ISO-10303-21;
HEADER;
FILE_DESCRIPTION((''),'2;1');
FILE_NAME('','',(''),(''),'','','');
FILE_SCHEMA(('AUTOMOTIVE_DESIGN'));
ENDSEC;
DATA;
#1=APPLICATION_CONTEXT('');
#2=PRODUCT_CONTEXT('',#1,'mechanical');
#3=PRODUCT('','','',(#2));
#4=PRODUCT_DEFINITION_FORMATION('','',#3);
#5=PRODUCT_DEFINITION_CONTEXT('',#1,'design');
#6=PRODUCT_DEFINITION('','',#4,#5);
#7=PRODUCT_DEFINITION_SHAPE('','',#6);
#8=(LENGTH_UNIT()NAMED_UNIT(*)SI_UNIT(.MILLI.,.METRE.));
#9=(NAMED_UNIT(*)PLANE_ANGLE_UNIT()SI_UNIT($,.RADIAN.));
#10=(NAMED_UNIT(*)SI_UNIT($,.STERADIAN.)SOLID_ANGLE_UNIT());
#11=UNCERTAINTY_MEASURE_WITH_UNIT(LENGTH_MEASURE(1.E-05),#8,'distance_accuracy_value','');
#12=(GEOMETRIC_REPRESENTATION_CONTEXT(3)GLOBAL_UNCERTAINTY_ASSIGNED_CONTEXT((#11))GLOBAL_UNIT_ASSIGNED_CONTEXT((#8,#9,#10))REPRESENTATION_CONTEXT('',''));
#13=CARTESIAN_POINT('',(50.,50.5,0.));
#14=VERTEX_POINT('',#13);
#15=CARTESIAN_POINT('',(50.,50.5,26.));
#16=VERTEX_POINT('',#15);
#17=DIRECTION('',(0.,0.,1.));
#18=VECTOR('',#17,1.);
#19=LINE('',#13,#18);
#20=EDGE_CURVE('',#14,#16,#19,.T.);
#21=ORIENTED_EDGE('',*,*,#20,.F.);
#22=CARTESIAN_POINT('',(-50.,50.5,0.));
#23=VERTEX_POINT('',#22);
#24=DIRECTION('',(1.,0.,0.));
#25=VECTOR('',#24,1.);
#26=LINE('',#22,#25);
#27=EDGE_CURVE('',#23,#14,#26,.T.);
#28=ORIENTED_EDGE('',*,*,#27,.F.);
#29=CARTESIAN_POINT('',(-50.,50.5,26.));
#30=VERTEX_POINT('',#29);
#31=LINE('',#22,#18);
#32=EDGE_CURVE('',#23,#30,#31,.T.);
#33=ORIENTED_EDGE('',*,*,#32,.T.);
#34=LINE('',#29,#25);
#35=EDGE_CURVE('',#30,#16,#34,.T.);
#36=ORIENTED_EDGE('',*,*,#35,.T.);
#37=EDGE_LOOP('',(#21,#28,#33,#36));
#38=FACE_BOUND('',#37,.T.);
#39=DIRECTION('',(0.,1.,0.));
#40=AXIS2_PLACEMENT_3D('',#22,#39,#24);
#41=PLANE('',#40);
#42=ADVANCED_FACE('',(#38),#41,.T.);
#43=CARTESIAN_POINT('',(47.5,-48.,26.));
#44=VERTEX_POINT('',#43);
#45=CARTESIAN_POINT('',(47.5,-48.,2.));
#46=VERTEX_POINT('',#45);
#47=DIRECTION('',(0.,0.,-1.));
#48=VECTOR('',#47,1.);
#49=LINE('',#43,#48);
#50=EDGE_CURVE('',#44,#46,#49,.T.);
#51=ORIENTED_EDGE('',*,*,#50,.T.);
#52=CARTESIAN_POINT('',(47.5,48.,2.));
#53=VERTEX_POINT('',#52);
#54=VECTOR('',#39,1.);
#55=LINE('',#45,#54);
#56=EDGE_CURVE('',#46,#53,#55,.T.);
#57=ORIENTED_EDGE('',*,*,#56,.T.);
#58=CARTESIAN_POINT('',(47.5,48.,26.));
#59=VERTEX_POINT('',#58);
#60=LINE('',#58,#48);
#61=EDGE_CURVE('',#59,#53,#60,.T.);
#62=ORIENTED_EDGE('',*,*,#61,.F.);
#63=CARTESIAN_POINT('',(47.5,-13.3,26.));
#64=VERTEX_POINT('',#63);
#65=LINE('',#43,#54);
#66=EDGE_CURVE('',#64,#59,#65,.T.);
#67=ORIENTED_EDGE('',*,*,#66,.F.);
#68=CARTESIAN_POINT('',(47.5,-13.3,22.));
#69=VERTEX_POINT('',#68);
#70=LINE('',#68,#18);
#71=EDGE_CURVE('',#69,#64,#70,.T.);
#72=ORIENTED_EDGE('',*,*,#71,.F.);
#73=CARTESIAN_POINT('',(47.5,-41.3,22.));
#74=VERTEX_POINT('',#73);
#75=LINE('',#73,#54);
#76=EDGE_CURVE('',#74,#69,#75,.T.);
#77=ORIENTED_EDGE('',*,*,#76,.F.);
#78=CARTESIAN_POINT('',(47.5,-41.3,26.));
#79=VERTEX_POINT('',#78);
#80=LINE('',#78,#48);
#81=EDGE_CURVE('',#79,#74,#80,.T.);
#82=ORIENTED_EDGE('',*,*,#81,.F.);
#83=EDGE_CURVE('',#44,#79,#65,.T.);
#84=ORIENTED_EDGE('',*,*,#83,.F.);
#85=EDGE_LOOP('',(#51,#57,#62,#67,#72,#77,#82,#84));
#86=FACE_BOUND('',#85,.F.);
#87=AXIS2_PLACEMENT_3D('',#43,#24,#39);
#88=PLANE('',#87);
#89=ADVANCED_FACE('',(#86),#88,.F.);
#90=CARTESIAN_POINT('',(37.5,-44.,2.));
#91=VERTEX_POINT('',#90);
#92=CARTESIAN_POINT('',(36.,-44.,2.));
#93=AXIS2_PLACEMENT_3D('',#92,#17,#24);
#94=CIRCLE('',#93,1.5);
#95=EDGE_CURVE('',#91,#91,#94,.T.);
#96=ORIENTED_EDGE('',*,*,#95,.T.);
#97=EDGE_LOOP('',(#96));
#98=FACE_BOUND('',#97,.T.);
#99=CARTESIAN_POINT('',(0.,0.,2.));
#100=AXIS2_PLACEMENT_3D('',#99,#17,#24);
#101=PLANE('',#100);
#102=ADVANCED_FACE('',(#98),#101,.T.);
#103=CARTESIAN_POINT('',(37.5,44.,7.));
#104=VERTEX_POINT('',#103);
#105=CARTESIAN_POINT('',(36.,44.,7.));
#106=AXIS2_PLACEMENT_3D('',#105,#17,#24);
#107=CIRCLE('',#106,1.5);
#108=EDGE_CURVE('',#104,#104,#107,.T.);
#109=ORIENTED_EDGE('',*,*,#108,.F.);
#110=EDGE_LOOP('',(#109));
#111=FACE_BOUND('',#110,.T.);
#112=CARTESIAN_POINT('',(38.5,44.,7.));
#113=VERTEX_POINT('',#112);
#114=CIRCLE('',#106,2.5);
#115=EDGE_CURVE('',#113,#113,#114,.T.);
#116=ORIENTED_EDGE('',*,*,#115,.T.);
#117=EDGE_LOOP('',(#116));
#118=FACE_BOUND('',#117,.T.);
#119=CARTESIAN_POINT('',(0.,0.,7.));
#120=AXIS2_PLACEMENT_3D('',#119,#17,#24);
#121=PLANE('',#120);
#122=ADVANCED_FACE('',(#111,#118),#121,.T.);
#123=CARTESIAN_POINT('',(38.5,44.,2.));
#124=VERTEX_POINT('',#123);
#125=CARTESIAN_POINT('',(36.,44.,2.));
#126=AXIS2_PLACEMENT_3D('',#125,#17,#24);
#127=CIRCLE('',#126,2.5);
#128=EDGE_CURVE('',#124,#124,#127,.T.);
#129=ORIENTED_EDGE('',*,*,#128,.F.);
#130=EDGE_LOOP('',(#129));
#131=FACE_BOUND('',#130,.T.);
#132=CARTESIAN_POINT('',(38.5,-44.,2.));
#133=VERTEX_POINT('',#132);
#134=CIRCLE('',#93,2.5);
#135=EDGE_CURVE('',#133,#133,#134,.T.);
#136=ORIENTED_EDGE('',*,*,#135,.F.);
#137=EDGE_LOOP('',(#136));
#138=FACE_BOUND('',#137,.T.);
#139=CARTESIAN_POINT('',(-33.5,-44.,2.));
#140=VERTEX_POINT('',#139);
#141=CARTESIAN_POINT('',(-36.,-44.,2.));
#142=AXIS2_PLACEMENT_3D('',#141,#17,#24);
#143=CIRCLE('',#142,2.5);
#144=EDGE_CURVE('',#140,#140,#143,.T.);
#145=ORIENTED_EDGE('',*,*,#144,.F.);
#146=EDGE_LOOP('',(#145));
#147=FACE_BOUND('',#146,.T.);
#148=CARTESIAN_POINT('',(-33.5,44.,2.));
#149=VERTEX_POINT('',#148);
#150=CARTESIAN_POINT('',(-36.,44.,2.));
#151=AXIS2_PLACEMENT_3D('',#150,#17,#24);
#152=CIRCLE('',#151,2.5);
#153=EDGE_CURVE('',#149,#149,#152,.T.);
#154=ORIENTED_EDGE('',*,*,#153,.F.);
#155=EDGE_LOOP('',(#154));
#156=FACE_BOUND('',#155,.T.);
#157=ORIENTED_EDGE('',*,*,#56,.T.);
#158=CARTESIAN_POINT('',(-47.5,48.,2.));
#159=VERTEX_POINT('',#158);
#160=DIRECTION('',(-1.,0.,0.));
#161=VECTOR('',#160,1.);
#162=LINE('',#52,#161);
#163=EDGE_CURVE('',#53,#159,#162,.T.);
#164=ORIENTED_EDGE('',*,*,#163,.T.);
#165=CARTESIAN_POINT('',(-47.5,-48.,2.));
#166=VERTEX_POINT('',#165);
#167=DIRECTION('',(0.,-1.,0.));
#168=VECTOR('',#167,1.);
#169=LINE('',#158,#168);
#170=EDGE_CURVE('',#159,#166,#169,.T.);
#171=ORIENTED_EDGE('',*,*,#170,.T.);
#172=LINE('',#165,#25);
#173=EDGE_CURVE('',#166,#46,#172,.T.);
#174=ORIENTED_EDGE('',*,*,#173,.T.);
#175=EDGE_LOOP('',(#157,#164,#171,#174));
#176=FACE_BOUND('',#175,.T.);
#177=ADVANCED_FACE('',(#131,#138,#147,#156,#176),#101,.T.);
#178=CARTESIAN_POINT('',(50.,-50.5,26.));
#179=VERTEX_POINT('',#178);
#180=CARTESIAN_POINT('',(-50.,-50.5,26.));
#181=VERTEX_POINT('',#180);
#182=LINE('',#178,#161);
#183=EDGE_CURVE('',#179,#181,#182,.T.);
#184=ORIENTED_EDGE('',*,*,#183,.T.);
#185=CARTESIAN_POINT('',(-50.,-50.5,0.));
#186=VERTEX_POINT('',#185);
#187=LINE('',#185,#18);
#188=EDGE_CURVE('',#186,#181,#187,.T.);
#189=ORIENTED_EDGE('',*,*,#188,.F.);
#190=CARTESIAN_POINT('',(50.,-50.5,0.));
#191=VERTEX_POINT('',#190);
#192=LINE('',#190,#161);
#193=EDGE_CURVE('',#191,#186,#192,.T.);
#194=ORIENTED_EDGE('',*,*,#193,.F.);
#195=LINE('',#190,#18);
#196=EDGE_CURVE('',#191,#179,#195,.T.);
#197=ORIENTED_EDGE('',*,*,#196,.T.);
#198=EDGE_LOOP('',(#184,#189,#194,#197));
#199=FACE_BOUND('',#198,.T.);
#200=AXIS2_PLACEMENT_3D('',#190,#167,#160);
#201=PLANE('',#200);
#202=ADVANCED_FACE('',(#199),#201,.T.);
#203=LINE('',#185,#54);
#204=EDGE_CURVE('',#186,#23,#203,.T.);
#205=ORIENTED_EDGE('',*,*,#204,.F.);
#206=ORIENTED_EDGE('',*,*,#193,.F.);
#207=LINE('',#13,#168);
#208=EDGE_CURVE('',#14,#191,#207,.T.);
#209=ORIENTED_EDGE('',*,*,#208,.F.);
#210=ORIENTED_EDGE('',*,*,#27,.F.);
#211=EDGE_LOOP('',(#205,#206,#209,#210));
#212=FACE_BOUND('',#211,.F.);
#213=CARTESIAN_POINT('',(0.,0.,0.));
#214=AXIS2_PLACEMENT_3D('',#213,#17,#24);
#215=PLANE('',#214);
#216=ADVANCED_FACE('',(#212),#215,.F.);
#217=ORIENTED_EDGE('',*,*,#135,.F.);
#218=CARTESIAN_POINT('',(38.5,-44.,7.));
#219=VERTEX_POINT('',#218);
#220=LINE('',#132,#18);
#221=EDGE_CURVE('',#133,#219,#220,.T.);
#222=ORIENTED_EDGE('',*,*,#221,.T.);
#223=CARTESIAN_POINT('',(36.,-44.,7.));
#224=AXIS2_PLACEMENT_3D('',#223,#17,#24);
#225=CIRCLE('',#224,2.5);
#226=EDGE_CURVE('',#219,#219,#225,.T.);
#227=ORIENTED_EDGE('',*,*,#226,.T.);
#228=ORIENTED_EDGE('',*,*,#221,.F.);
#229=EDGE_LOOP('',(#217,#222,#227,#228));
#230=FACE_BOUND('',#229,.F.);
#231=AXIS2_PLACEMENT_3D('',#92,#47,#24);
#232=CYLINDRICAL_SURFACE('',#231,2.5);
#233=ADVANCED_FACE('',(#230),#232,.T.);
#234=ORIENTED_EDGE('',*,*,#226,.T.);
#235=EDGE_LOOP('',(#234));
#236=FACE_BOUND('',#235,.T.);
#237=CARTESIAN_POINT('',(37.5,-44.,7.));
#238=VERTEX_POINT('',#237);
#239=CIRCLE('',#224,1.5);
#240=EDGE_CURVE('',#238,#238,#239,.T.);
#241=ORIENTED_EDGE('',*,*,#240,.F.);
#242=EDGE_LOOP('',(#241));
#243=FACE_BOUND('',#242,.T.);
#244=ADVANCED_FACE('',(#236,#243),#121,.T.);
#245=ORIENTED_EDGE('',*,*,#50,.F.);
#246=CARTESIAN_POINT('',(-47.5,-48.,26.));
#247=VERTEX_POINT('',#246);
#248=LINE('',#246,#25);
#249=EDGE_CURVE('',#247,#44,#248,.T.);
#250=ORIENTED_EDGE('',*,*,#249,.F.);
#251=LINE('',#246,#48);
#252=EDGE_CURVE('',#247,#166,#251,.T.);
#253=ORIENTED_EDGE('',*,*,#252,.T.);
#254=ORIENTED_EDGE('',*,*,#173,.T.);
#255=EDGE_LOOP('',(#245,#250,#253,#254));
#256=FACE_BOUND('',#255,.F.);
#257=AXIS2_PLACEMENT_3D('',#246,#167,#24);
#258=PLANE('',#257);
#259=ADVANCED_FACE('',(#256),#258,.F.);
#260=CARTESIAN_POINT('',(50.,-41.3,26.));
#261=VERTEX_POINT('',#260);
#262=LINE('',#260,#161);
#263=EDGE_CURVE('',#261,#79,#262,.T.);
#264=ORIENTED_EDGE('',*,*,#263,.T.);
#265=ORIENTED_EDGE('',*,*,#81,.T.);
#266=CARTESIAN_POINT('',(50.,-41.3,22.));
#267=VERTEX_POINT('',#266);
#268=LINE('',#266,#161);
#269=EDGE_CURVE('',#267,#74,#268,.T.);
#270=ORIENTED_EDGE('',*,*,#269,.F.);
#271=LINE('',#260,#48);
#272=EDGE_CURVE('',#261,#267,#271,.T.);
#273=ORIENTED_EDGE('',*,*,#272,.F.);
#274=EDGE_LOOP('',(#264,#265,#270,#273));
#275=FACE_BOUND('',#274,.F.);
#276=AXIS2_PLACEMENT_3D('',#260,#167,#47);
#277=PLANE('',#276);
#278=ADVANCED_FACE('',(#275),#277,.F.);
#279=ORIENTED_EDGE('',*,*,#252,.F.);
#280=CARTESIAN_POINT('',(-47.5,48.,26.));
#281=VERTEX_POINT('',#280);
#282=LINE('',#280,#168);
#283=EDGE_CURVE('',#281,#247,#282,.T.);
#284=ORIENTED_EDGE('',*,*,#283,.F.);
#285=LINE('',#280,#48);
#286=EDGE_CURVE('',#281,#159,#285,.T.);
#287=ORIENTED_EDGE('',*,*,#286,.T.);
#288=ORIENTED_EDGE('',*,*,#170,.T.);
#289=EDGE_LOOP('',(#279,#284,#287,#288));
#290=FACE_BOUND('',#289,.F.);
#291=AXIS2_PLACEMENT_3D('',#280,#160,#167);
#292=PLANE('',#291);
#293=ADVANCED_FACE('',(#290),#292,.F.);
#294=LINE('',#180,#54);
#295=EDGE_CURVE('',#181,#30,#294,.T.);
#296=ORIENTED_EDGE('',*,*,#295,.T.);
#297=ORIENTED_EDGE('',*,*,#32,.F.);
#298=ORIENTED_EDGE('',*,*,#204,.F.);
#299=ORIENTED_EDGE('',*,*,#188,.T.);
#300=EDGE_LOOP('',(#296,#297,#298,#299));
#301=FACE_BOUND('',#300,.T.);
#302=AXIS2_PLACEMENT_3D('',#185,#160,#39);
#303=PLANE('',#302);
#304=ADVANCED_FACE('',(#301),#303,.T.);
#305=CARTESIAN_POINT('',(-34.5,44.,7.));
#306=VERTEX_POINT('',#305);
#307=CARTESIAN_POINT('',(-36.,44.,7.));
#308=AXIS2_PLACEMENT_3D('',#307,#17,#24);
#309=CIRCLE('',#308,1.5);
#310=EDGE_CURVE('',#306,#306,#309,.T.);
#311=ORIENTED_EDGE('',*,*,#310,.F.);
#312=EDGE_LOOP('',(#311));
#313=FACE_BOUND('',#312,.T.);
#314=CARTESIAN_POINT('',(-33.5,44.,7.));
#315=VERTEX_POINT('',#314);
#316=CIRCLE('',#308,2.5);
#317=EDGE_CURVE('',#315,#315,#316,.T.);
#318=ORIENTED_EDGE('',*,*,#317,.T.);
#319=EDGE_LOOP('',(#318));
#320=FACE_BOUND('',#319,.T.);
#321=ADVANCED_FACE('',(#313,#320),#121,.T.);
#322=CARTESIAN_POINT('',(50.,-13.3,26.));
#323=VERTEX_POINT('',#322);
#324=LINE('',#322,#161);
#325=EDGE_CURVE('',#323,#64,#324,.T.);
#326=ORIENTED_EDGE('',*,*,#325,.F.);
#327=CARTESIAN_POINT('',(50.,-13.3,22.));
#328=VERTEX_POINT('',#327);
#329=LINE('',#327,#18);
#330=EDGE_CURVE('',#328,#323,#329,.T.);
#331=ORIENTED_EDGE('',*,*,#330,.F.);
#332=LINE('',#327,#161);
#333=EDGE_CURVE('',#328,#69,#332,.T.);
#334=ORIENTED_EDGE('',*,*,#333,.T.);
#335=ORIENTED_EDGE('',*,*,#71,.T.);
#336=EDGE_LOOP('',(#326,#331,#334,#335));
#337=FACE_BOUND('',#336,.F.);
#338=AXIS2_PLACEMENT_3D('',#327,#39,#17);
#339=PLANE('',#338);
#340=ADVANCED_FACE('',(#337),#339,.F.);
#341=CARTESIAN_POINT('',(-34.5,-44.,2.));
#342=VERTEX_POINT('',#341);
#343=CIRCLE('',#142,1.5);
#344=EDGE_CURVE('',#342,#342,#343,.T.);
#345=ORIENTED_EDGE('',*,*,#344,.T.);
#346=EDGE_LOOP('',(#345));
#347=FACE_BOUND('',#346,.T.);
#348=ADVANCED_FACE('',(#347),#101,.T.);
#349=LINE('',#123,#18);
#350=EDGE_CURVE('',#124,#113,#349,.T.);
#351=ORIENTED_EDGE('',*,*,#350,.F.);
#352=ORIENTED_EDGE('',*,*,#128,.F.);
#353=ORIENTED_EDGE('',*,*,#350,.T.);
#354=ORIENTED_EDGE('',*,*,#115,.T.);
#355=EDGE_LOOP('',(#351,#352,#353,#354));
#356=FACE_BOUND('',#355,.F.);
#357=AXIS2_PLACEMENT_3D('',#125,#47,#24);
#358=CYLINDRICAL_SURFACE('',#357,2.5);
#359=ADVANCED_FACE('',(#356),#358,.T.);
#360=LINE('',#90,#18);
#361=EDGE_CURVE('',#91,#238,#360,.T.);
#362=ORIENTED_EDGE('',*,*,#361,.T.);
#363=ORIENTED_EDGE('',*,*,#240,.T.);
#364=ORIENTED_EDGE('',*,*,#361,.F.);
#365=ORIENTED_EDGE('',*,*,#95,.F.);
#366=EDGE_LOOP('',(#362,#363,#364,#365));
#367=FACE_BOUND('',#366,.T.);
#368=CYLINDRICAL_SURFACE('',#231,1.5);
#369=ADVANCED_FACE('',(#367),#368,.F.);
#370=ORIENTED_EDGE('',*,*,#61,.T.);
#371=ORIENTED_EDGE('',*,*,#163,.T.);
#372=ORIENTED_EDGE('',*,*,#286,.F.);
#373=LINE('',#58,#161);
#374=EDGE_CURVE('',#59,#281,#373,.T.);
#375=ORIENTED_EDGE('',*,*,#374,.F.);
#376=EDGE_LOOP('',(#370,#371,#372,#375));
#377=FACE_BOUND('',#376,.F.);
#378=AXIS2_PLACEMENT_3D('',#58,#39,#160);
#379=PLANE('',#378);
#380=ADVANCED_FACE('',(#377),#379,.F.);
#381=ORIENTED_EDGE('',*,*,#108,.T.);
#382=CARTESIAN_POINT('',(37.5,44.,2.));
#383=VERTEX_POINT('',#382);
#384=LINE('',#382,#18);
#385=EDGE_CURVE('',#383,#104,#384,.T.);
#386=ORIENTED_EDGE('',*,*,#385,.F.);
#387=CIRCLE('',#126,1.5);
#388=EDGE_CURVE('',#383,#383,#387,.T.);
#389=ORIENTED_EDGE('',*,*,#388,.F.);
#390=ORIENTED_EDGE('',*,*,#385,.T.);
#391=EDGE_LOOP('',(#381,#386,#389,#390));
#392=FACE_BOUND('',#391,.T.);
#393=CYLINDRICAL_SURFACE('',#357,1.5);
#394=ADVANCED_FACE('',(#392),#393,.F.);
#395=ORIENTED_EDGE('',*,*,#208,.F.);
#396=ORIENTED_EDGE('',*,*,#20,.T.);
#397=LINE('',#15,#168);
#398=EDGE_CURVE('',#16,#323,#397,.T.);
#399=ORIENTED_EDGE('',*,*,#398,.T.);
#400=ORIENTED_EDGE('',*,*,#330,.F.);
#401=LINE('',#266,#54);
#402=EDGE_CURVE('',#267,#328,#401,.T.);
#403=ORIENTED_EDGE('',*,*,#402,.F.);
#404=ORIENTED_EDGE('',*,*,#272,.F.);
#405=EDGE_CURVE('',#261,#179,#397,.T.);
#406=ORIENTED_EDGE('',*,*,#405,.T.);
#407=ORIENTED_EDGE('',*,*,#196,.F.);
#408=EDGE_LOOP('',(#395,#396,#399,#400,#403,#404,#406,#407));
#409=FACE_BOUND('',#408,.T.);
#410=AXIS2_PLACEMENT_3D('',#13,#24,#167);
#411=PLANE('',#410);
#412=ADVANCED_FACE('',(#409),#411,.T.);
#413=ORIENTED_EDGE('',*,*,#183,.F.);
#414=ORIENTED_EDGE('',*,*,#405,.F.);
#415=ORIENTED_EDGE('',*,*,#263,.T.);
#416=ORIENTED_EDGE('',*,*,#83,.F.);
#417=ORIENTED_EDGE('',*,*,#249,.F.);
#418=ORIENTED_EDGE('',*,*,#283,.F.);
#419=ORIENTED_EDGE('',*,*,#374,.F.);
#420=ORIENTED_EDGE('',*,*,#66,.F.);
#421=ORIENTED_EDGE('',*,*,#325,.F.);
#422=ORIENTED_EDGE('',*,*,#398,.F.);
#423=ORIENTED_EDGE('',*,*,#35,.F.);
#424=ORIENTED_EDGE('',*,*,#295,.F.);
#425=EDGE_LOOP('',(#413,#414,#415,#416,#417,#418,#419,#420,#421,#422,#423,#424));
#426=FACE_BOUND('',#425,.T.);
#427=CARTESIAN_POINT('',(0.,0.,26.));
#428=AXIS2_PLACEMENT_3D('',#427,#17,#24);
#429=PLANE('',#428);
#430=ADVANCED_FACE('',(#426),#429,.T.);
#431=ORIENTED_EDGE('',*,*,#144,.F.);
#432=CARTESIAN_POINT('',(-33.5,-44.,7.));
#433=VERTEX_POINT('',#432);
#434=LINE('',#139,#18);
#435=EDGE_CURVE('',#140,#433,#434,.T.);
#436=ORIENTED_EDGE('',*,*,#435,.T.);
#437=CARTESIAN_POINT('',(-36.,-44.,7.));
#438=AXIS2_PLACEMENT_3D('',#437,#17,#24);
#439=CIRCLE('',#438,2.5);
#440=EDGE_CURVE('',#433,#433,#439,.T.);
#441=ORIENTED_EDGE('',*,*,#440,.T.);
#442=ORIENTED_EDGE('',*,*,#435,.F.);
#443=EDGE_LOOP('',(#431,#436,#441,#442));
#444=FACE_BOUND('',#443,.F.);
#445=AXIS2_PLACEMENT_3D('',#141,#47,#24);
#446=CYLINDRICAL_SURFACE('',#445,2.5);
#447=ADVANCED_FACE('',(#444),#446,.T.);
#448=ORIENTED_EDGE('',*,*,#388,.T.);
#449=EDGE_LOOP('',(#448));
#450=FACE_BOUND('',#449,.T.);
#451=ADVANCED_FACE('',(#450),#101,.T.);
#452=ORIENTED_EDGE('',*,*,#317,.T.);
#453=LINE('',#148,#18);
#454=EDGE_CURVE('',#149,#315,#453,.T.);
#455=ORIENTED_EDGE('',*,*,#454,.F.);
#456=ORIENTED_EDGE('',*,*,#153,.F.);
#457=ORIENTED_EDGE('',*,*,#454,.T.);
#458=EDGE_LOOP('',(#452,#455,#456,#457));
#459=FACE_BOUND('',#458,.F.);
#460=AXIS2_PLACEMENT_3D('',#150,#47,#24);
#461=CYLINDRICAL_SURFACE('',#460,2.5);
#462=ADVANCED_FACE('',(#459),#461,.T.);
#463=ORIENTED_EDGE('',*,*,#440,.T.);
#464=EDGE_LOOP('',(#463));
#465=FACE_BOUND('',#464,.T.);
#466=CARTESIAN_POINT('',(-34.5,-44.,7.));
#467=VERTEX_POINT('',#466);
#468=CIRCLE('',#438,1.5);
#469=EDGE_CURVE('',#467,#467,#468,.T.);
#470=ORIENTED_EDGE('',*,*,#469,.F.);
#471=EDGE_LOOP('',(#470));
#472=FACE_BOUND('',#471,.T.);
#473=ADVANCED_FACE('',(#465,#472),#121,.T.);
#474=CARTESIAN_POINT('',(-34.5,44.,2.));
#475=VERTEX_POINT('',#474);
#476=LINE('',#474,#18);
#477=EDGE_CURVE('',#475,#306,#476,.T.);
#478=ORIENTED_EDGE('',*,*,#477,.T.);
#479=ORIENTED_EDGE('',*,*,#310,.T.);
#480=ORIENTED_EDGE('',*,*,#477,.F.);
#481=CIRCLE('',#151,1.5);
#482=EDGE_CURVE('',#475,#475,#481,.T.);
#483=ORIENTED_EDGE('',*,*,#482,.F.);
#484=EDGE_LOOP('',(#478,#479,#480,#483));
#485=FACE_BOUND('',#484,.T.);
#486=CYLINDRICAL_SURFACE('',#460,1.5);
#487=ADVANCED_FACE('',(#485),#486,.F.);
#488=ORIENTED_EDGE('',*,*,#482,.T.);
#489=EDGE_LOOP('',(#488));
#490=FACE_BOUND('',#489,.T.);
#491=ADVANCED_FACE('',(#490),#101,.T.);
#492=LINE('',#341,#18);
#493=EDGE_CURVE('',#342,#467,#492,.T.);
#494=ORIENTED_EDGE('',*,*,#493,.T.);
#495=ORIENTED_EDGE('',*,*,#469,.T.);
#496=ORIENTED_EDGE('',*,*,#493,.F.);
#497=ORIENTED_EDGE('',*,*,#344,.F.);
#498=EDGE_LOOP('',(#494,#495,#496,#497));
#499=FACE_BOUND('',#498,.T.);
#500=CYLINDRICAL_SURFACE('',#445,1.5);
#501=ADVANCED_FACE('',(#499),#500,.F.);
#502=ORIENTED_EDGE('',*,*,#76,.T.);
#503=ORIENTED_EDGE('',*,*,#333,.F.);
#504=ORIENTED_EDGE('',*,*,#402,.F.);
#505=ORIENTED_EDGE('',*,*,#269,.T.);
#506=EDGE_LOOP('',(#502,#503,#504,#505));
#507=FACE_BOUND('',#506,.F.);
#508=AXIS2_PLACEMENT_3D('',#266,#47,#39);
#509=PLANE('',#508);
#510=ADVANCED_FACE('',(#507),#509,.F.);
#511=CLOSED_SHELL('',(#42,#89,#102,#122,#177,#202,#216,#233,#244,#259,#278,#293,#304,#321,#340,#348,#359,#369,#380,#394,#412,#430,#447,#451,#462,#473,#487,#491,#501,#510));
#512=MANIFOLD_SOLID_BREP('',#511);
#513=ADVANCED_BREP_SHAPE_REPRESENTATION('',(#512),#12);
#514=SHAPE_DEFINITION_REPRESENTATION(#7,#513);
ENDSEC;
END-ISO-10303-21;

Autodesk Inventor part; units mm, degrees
ref_plane "YZ Plane" through (0, 0, 0) normal (1, 0, 0) x (0, 1, 0)
ref_plane "XZ Plane" through (0, 0, 0) normal (0, 1, 0) x (-1, 0, 0)
ref_plane "XY Plane" through (0, 0, 0) normal (0, 0, 1) x (1, 0, 0)
sketch "Esboço1" plane through (0, 0, 0) normal (0, 0, 1) x (1, 0, 0)
  line L0 (-50, 50.5) -> (50, 50.5)
  line L1 (50, 50.5) -> (50, -50.5)
  line L2 (50, -50.5) -> (-50, -50.5)
  line L3 (-50, -50.5) -> (-50, 50.5)
  line L4 (-50, 50.5) -> (50, -50.5) construction
  line L5 (50, 50.5) -> (-50, -50.5) construction
  point P0 (0, 0)
  dimension "d0" = 100
  dimension "d1" = 101
extrude "Base" add sketch "Esboço1" along normal blind 26
sketch "Esboço2" plane through (0, 0, 26) normal (0, 0, 1) x (1, 0, 0)
  line L0 (50, 50.5) -> (-50, 50.5) projected
  line L1 (-50, -50.5) -> (50, -50.5) projected
  line L2 (-50, 50.5) -> (50, 50.5)
  line L3 (50, 50.5) -> (50, -50.5)
  line L4 (50, -50.5) -> (-50, -50.5)
  line L5 (-50, -50.5) -> (-50, 50.5)
  line L6 (47.5, -48) -> (47.5, 48)
  line L7 (47.5, 48) -> (-47.5, 48)
  line L8 (-47.5, 48) -> (-47.5, -48)
  line L9 (-47.5, -48) -> (47.5, -48)
  point P0 (0, 0)
  dimension "d4" = 2.5
extrude "Área" cut sketch "Esboço2" against normal blind 24 contours L9 L8 L7 L6
sketch "Esboço3" plane through (0, 0, 2) normal (0, 0, 1) x (1, 0, 0)
  circle A0 centre (-36, -44) radius 1.5
  line L0 (-50, 50.5) -> (-50, -50.5) projected
  line L1 (-50, -50.5) -> (50, -50.5) projected
  line L2 (-47.5, -48) -> (-47.5, 48) projected
  line L3 (47.5, 48) -> (47.5, -48) projected
  circle A1 centre (-36, 44) radius 1.5
  circle A2 centre (36, -44) radius 1.5
  circle A3 centre (36, 44) radius 1.5
  circle A4 centre (-36, -44) radius 2.5
  line L4 (47.5, -48) -> (-47.5, -48) projected
  line L5 (-47.5, 48) -> (47.5, 48) projected
  circle A5 centre (-36, 44) radius 2.5
  circle A6 centre (36, -44) radius 2.5
  circle A7 centre (36, 44) radius 2.5
  dimension "d11" = 3
  dimension "d12" = 14
  dimension "d13" = 6.5
  dimension "d14" = 5
extrude "Extrusão3" add sketch "Esboço3" along normal blind 5 contours A4 | A5 | A6 | A7
sketch "Esboço4" plane through (50, -50.5, 0) normal (1, 0, 0) x (0, 0, -1)
  line L0 (-26, 9.2) -> (-22, 9.2)
  line L1 (-22, 9.2) -> (-22, 37.2)
  line L2 (-22, 37.2) -> (-26, 37.2)
  line L3 (-26, 37.2) -> (-26, 9.2)
  point P0 (0, 50.5)
  dimension "d17" = 4
  dimension "d18" = 28
extrude "Extrusão4" cut sketch "Esboço4" against normal up to surface (2.5 mm away)
properties part number "Base ESP_3DPrint"
